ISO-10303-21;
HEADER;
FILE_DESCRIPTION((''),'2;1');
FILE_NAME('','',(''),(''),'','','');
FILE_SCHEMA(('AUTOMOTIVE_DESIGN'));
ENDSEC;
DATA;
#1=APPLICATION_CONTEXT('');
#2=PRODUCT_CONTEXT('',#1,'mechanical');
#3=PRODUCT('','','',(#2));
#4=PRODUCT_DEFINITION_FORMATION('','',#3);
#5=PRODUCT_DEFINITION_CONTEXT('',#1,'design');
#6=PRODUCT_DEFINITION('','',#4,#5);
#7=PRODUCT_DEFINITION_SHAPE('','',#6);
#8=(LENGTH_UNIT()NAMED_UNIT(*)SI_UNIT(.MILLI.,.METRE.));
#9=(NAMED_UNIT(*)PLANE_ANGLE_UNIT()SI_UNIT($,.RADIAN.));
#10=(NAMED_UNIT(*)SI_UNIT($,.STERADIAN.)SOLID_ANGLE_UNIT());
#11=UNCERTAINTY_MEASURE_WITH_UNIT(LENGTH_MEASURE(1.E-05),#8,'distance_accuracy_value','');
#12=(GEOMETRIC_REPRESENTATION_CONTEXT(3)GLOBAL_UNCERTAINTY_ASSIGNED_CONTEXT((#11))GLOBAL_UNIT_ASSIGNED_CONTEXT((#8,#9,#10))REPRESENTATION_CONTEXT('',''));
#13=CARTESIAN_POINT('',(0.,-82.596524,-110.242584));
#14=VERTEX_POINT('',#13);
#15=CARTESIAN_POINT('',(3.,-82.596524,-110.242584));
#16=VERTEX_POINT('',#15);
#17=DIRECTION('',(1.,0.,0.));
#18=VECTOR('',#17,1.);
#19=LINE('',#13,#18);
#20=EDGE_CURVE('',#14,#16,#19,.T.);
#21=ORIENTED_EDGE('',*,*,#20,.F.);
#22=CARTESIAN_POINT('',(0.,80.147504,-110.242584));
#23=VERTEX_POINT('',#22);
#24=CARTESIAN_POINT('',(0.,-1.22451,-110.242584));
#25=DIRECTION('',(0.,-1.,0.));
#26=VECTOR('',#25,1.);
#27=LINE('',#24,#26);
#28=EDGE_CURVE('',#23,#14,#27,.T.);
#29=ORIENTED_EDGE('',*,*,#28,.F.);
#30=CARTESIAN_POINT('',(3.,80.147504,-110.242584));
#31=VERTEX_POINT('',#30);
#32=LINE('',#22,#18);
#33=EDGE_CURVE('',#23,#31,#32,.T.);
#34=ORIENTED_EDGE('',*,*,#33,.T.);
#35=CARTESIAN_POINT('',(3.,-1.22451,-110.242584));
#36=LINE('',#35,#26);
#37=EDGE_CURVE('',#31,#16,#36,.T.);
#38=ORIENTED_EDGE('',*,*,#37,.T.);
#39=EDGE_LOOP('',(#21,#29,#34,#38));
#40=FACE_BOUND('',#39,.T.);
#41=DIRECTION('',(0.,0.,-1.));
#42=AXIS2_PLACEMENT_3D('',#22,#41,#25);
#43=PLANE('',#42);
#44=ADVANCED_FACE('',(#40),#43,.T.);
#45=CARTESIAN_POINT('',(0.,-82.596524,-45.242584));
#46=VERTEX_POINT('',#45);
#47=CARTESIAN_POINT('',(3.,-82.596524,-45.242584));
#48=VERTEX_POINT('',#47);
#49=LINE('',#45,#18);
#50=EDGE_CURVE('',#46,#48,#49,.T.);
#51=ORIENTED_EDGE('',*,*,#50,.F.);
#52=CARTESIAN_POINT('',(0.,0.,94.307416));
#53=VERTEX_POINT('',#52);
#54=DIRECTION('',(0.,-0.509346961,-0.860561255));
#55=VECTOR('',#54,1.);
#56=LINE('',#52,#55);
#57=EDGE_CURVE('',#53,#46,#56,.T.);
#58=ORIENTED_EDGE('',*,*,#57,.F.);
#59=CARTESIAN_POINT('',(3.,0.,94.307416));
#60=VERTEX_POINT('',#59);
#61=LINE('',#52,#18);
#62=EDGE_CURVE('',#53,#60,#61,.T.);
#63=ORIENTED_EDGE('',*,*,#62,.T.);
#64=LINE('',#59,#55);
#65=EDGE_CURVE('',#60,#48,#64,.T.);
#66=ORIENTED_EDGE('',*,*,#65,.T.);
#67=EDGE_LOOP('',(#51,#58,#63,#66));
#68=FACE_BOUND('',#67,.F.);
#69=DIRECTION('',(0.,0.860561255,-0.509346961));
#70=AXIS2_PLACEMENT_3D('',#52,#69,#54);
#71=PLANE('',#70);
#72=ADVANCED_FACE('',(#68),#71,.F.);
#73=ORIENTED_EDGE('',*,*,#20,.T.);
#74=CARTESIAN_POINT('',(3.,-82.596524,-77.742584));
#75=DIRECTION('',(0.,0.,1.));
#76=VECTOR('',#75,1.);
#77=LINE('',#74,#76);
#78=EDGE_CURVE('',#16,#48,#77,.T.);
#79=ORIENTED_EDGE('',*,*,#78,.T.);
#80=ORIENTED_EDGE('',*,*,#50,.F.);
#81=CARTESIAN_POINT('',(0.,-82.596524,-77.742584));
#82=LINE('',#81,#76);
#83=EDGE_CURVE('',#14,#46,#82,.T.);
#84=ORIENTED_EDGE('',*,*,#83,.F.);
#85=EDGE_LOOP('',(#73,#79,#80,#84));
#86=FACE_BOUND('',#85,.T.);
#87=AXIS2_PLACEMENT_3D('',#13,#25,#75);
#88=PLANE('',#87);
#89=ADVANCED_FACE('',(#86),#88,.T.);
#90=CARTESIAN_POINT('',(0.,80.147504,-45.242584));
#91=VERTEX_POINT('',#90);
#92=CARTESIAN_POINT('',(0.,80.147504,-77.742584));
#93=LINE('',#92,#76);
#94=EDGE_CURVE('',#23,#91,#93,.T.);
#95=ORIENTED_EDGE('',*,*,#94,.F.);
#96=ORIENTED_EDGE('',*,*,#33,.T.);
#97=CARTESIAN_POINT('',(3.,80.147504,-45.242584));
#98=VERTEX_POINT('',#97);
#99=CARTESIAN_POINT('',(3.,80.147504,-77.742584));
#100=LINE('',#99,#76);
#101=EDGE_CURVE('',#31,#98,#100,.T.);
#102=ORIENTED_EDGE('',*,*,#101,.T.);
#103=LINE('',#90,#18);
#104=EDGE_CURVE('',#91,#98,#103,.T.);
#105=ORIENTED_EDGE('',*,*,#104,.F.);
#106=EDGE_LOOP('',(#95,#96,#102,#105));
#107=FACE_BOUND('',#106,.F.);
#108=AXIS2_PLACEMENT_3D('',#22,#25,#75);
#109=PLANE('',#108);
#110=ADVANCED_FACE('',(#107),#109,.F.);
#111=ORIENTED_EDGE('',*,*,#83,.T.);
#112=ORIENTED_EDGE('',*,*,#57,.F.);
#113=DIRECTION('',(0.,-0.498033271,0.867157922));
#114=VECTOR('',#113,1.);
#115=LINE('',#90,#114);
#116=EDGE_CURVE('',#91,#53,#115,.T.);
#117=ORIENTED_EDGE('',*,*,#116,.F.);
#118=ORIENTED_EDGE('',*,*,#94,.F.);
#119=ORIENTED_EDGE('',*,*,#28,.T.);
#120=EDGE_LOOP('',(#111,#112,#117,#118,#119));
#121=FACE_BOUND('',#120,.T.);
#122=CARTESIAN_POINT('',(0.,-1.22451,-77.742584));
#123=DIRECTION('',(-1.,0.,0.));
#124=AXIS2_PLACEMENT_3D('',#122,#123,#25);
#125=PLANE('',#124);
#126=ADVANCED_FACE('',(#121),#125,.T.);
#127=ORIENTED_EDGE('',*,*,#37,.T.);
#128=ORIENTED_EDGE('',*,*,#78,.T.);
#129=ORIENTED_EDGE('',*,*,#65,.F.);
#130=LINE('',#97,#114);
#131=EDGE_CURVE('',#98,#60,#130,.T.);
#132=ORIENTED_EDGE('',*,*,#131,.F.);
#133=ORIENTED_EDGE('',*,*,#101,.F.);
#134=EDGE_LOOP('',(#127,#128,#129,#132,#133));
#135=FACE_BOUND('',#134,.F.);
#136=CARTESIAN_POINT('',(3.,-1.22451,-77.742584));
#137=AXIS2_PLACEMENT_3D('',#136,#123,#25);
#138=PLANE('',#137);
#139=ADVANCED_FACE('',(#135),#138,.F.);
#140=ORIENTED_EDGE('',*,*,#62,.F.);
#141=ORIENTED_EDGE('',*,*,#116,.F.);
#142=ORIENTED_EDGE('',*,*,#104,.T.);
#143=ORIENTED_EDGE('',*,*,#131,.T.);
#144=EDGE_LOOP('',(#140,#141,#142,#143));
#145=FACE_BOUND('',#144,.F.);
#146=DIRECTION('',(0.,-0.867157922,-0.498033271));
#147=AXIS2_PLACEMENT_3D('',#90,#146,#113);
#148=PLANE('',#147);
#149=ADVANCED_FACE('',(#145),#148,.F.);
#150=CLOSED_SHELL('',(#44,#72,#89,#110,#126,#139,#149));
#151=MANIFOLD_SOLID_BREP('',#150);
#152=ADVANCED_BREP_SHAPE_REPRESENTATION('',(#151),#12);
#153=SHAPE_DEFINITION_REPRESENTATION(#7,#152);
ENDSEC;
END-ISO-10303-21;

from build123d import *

# Parameters (mm, degrees)
F1_DEPTH = 3
F2_W     = 162.744028
F2_H     = 65
F3_DEPTH = 3


with BuildPart() as f1:
    # F0 (on Right) → F1 (new body)
    with BuildSketch(Plane.YZ):
        Polygon((0, 94.307416), (-82.596524, -45.242584), (80.147504, -45.242584), align=None)
    extrude(amount=F1_DEPTH)

    # F2 (on face) → F3 (join)
    with BuildSketch(Plane(origin=(0, 0, 0), x_dir=(0, -1, 0), z_dir=(-1, 0, 0))):
        with Locations((1.22451, -77.742584)):
            Rectangle(F2_W, F2_H)
    extrude(amount=-F3_DEPTH)


solid = f1.part
